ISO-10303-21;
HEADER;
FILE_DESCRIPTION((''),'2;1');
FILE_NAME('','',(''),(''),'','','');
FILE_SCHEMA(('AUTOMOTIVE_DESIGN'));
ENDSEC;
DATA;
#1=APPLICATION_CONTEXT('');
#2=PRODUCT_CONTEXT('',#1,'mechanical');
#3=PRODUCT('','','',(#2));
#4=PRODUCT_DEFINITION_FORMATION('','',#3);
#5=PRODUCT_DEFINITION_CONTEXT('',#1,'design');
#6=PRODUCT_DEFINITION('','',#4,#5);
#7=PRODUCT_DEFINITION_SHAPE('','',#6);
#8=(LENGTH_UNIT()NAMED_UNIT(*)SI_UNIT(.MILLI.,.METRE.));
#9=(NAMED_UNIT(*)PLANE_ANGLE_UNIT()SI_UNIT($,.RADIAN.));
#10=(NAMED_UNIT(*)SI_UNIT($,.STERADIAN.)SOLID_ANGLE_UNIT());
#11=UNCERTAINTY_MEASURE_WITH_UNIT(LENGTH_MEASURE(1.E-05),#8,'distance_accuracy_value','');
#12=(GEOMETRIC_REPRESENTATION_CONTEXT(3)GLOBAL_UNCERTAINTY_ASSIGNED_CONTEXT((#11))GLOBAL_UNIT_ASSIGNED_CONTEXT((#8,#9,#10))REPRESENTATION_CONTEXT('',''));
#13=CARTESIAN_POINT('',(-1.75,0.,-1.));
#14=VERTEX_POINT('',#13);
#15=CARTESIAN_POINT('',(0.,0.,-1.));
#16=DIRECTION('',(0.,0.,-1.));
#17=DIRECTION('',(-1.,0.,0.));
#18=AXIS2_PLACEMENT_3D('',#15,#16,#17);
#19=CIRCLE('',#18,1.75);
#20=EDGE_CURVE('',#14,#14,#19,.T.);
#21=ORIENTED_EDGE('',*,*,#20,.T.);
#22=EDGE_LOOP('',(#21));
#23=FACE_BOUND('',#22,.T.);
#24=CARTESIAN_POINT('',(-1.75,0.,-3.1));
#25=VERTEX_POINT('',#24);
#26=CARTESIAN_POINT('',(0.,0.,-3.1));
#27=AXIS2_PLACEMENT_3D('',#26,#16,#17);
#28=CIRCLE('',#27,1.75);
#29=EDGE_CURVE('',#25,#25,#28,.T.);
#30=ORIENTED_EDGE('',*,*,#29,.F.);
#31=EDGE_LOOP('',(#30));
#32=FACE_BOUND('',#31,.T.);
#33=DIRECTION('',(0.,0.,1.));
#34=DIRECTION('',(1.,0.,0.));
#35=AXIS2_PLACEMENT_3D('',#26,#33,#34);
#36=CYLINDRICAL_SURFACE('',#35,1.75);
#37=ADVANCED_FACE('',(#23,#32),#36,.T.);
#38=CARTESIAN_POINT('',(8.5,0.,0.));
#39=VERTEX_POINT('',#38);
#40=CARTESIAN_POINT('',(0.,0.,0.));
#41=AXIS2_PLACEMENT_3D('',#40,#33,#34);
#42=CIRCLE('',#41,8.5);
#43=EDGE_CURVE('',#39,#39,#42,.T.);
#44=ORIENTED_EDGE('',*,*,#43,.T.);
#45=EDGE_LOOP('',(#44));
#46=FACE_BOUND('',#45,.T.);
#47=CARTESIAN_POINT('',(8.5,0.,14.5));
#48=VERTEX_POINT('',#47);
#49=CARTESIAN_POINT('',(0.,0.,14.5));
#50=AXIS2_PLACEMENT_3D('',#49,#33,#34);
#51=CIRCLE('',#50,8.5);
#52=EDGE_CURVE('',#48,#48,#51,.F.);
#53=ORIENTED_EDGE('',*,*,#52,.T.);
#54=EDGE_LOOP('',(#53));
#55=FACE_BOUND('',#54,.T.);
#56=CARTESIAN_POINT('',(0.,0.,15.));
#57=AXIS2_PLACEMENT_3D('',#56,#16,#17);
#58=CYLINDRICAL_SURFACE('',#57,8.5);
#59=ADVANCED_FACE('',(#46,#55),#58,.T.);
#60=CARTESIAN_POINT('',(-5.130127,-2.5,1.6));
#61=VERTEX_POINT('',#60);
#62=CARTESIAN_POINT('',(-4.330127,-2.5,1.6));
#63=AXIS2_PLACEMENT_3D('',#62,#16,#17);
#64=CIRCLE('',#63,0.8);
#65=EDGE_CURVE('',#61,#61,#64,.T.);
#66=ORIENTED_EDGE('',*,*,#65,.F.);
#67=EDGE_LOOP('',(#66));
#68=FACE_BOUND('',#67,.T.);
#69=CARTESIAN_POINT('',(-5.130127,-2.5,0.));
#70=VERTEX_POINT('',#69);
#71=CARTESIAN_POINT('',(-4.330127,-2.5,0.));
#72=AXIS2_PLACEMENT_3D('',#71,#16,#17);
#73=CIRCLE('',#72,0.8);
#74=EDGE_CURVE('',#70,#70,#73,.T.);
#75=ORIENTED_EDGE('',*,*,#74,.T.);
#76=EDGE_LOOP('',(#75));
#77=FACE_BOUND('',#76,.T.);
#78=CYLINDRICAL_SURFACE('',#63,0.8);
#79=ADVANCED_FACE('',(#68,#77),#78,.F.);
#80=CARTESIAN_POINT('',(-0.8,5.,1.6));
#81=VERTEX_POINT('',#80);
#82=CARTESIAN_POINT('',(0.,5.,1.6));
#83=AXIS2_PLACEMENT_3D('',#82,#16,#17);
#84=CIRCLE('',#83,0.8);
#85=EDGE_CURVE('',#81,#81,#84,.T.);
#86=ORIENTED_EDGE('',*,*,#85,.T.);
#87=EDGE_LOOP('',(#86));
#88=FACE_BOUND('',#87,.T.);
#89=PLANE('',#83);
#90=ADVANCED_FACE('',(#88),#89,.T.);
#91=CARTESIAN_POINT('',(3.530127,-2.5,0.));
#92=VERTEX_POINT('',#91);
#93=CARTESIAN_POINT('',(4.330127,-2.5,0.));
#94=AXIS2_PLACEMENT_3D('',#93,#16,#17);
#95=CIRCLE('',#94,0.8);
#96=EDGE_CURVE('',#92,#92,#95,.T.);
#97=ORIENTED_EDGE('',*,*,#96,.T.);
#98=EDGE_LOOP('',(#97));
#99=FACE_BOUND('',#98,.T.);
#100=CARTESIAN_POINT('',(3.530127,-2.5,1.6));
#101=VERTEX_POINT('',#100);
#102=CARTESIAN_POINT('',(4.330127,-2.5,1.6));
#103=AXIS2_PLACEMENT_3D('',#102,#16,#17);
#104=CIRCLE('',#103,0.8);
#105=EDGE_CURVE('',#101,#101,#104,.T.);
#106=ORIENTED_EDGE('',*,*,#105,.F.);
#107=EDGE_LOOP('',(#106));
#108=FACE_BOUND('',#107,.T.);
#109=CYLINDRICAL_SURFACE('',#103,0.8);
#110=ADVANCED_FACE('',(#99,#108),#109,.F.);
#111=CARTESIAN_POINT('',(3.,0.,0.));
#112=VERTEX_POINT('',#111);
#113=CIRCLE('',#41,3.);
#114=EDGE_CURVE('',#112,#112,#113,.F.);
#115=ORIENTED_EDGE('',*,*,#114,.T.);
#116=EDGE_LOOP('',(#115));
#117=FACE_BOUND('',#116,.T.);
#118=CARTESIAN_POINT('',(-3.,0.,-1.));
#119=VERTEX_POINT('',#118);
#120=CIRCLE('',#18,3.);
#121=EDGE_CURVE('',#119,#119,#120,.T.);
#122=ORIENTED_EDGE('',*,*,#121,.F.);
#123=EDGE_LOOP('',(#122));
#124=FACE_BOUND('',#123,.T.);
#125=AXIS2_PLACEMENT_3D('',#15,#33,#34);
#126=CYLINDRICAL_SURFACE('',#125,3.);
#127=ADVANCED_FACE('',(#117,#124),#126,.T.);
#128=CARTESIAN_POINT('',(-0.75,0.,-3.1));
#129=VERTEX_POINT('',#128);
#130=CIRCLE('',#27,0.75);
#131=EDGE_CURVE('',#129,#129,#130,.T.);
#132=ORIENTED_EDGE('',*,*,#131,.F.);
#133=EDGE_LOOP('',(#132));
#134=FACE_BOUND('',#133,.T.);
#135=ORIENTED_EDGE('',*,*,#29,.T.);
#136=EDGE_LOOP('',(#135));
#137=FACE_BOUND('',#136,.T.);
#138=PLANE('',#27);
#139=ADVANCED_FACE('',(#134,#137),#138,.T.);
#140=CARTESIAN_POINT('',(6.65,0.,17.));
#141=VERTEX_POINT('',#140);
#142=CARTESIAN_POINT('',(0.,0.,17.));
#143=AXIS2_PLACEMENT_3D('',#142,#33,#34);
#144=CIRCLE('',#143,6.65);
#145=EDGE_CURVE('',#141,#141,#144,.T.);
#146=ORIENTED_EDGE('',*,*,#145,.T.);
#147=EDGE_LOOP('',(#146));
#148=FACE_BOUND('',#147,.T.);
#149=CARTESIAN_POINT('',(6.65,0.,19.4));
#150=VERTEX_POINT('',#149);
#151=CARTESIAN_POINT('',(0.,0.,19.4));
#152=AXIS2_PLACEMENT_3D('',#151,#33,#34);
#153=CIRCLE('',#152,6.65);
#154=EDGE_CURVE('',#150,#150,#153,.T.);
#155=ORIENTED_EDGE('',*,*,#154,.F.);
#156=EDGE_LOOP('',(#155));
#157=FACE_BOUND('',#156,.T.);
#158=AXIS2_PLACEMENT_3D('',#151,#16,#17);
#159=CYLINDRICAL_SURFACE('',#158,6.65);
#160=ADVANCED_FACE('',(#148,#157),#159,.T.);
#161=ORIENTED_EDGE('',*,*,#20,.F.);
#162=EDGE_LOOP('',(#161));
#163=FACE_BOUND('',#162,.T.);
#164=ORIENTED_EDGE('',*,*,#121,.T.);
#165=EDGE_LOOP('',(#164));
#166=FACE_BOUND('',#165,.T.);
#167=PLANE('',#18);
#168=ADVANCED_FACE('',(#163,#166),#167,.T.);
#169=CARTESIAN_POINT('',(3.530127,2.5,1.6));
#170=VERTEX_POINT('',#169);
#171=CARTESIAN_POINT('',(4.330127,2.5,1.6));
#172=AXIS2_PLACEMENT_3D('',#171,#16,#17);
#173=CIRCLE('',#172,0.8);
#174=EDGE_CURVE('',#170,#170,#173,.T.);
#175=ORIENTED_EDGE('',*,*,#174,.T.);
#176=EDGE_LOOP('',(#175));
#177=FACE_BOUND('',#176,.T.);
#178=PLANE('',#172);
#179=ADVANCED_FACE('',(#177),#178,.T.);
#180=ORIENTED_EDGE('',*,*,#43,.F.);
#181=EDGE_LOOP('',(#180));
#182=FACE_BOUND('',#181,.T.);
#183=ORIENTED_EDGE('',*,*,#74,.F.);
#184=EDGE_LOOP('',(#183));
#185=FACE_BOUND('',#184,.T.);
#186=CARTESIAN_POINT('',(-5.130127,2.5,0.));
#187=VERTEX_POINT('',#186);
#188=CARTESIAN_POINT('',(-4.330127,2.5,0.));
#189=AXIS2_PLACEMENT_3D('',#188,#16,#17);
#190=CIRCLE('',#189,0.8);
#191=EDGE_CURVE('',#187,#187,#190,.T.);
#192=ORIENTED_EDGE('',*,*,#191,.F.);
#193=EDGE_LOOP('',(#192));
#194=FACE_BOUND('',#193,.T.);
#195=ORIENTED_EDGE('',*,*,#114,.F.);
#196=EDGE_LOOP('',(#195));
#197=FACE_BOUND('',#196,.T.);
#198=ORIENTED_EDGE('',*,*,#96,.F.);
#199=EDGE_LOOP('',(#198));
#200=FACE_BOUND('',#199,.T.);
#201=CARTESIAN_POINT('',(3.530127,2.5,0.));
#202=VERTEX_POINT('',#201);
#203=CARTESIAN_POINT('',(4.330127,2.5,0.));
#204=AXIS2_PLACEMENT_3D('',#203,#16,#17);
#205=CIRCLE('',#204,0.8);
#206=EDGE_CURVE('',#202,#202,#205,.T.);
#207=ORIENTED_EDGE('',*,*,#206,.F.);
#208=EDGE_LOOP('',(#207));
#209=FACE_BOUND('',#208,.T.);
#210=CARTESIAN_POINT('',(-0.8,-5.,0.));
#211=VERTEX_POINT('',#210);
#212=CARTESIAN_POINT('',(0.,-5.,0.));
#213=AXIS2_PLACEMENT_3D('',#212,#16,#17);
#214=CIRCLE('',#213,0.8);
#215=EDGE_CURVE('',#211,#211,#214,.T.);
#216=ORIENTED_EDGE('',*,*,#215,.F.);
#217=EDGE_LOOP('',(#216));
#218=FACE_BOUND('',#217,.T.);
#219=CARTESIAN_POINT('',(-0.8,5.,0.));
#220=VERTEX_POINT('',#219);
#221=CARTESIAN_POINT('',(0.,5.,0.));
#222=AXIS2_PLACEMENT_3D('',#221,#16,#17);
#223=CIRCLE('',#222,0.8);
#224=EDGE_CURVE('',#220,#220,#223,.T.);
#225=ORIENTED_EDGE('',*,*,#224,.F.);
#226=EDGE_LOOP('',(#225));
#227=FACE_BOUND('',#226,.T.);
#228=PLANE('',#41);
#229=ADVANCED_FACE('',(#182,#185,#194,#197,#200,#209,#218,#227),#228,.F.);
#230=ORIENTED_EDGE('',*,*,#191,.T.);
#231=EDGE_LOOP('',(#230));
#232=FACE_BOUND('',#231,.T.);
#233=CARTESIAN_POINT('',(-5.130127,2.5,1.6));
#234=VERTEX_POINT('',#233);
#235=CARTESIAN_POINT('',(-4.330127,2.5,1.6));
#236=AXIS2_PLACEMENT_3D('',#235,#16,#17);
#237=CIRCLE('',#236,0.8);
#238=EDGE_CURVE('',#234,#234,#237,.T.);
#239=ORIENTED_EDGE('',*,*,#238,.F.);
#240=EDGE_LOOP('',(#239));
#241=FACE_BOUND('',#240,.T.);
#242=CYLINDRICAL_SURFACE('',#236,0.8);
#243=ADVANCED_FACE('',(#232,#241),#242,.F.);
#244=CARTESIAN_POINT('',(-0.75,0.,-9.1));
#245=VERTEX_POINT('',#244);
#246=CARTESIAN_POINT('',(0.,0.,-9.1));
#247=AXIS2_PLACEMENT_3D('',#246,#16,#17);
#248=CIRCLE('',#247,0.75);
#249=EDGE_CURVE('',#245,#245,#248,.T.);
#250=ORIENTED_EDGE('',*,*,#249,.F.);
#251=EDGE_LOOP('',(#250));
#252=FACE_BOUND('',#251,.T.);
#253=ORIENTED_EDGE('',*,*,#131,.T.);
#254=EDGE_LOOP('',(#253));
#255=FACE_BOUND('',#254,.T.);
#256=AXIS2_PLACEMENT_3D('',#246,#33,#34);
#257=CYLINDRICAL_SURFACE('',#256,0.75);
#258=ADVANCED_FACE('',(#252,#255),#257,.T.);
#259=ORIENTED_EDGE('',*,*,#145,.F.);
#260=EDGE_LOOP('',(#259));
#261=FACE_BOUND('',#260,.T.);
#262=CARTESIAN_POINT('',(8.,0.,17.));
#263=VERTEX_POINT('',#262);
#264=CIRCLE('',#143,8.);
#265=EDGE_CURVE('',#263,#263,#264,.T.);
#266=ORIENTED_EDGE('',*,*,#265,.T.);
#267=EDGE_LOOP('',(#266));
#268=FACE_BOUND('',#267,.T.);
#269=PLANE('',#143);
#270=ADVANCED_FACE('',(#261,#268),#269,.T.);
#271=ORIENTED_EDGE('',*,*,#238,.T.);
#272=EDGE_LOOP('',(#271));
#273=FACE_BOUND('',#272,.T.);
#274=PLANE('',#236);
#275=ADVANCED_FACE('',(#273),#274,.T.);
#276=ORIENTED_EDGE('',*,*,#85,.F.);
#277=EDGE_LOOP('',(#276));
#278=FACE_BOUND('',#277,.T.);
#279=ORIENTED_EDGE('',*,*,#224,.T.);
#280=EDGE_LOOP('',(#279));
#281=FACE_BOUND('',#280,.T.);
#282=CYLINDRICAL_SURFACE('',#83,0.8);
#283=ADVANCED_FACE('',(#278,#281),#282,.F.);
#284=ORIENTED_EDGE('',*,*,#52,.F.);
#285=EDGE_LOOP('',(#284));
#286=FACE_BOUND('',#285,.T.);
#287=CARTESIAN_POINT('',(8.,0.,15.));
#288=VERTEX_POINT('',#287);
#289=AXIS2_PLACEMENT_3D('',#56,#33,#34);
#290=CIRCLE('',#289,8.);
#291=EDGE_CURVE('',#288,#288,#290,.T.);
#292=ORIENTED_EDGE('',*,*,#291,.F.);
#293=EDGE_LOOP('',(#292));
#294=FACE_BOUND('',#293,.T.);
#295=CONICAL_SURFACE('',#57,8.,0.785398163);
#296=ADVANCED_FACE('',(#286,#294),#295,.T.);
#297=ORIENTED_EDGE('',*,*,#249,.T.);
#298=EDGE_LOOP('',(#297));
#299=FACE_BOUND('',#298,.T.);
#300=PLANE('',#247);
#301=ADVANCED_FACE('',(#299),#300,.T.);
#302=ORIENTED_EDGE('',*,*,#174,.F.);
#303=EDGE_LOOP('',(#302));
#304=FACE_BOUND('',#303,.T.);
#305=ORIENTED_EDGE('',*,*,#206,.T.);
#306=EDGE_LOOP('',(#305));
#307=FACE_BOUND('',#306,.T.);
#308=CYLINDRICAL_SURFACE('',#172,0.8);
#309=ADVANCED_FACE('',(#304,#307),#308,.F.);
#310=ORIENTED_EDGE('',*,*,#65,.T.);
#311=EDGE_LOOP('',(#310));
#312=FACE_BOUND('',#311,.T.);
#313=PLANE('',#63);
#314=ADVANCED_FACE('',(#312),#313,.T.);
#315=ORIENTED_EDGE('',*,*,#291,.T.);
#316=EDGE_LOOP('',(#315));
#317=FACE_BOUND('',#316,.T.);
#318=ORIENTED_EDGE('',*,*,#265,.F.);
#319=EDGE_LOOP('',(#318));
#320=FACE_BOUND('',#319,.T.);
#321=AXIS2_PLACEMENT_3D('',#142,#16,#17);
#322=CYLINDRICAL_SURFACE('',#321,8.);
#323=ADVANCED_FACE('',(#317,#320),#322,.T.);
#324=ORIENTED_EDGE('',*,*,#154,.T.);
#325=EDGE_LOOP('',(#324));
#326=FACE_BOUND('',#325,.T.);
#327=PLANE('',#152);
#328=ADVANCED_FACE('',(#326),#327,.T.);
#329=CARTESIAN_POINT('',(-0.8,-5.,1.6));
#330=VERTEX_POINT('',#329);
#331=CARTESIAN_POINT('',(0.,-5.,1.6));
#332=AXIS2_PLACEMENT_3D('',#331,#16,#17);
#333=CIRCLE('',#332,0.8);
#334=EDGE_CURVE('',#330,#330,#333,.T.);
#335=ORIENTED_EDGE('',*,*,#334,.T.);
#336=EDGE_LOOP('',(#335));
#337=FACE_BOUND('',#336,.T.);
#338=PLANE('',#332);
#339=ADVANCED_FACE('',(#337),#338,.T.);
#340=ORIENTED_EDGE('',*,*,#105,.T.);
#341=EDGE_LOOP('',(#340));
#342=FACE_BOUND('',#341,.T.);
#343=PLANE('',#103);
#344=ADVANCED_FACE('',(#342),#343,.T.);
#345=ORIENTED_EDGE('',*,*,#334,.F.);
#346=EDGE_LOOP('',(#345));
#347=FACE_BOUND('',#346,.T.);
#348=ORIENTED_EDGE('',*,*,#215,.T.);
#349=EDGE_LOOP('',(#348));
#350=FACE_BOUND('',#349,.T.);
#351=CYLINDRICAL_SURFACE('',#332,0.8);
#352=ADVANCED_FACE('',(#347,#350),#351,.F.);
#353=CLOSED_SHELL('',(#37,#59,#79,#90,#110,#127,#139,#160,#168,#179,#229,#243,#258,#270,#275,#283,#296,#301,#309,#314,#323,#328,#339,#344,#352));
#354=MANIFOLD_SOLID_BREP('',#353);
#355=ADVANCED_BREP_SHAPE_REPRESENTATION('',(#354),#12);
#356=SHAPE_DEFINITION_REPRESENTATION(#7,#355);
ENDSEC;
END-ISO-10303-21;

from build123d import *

# Parameters (mm, degrees)
SKETCH2_R           = 8.5
BOSS_EXTRUDE1_DEPTH = 15
CHAMFER1_SIZE       = 0.5
SKETCH3_R           = 8
BOSS_EXTRUDE2_DEPTH = 2
SKETCH4_R           = 6.65
BOSS_EXTRUDE3_DEPTH = 2.4
SKETCH5_R           = 0.8
CUT_EXTRUDE1_DEPTH  = 1.6
SKETCH6_R           = 3
BOSS_EXTRUDE4_DEPTH = 1
SKETCH7_R           = 1.75
BOSS_EXTRUDE5_DEPTH = 2.1
SKETCH8_R           = 0.75
BOSS_EXTRUDE6_DEPTH = 6


with BuildPart() as part:
    # Sketch2 → Boss-Extrude1 (new body)
    with BuildSketch(Plane.XY):
        Circle(SKETCH2_R)
    extrude(amount=BOSS_EXTRUDE1_DEPTH)

    # Chamfer1
    chamfer1_edges = [part.edges().sort_by_distance(p)[0] for p in [
        (-8.5, 0, 15),
    ]]
    chamfer(chamfer1_edges, length=CHAMFER1_SIZE)

    # Sketch3 → Boss-Extrude2 (add)
    with BuildSketch(Plane.XY.offset(15)):
        Circle(SKETCH3_R)
    extrude(amount=BOSS_EXTRUDE2_DEPTH)

    # Sketch4 → Boss-Extrude3 (add)
    with BuildSketch(Plane.XY.offset(17)):
        Circle(SKETCH4_R)
    extrude(amount=BOSS_EXTRUDE3_DEPTH)

    # Sketch5 → Cut-Extrude1 (cut)
    with BuildSketch(Plane(origin=(0, 0, 0), x_dir=(-1, 0, 0), z_dir=(0, 0, -1))):
        with Locations((0, 5)):
            Circle(SKETCH5_R)
        with Locations((4.330127019, 2.5)):
            Circle(SKETCH5_R)
        with Locations((4.330127019, -2.5)):
            Circle(SKETCH5_R)
        with Locations((0, -5)):
            Circle(SKETCH5_R)
        with Locations((-4.330127019, -2.5)):
            Circle(SKETCH5_R)
        with Locations((-4.330127019, 2.5)):
            Circle(SKETCH5_R)
    extrude(amount=-CUT_EXTRUDE1_DEPTH, mode=Mode.SUBTRACT)

    # Sketch6 → Boss-Extrude4 (add)
    with BuildSketch(Plane(origin=(0, 0, 0), x_dir=(-1, 0, 0), z_dir=(0, 0, -1))):
        Circle(SKETCH6_R)
    extrude(amount=BOSS_EXTRUDE4_DEPTH)

    # Sketch7 → Boss-Extrude5 (add)
    with BuildSketch(Plane(origin=(0, 0, -1), x_dir=(-1, 0, 0), z_dir=(0, 0, -1))):
        Circle(SKETCH7_R)
    extrude(amount=BOSS_EXTRUDE5_DEPTH)

    # Sketch8 → Boss-Extrude6 (add)
    with BuildSketch(Plane(origin=(0, 0, -3.1), x_dir=(-1, 0, 0), z_dir=(0, 0, -1))):
        Circle(SKETCH8_R)
    extrude(amount=BOSS_EXTRUDE6_DEPTH)


solid = part.part
